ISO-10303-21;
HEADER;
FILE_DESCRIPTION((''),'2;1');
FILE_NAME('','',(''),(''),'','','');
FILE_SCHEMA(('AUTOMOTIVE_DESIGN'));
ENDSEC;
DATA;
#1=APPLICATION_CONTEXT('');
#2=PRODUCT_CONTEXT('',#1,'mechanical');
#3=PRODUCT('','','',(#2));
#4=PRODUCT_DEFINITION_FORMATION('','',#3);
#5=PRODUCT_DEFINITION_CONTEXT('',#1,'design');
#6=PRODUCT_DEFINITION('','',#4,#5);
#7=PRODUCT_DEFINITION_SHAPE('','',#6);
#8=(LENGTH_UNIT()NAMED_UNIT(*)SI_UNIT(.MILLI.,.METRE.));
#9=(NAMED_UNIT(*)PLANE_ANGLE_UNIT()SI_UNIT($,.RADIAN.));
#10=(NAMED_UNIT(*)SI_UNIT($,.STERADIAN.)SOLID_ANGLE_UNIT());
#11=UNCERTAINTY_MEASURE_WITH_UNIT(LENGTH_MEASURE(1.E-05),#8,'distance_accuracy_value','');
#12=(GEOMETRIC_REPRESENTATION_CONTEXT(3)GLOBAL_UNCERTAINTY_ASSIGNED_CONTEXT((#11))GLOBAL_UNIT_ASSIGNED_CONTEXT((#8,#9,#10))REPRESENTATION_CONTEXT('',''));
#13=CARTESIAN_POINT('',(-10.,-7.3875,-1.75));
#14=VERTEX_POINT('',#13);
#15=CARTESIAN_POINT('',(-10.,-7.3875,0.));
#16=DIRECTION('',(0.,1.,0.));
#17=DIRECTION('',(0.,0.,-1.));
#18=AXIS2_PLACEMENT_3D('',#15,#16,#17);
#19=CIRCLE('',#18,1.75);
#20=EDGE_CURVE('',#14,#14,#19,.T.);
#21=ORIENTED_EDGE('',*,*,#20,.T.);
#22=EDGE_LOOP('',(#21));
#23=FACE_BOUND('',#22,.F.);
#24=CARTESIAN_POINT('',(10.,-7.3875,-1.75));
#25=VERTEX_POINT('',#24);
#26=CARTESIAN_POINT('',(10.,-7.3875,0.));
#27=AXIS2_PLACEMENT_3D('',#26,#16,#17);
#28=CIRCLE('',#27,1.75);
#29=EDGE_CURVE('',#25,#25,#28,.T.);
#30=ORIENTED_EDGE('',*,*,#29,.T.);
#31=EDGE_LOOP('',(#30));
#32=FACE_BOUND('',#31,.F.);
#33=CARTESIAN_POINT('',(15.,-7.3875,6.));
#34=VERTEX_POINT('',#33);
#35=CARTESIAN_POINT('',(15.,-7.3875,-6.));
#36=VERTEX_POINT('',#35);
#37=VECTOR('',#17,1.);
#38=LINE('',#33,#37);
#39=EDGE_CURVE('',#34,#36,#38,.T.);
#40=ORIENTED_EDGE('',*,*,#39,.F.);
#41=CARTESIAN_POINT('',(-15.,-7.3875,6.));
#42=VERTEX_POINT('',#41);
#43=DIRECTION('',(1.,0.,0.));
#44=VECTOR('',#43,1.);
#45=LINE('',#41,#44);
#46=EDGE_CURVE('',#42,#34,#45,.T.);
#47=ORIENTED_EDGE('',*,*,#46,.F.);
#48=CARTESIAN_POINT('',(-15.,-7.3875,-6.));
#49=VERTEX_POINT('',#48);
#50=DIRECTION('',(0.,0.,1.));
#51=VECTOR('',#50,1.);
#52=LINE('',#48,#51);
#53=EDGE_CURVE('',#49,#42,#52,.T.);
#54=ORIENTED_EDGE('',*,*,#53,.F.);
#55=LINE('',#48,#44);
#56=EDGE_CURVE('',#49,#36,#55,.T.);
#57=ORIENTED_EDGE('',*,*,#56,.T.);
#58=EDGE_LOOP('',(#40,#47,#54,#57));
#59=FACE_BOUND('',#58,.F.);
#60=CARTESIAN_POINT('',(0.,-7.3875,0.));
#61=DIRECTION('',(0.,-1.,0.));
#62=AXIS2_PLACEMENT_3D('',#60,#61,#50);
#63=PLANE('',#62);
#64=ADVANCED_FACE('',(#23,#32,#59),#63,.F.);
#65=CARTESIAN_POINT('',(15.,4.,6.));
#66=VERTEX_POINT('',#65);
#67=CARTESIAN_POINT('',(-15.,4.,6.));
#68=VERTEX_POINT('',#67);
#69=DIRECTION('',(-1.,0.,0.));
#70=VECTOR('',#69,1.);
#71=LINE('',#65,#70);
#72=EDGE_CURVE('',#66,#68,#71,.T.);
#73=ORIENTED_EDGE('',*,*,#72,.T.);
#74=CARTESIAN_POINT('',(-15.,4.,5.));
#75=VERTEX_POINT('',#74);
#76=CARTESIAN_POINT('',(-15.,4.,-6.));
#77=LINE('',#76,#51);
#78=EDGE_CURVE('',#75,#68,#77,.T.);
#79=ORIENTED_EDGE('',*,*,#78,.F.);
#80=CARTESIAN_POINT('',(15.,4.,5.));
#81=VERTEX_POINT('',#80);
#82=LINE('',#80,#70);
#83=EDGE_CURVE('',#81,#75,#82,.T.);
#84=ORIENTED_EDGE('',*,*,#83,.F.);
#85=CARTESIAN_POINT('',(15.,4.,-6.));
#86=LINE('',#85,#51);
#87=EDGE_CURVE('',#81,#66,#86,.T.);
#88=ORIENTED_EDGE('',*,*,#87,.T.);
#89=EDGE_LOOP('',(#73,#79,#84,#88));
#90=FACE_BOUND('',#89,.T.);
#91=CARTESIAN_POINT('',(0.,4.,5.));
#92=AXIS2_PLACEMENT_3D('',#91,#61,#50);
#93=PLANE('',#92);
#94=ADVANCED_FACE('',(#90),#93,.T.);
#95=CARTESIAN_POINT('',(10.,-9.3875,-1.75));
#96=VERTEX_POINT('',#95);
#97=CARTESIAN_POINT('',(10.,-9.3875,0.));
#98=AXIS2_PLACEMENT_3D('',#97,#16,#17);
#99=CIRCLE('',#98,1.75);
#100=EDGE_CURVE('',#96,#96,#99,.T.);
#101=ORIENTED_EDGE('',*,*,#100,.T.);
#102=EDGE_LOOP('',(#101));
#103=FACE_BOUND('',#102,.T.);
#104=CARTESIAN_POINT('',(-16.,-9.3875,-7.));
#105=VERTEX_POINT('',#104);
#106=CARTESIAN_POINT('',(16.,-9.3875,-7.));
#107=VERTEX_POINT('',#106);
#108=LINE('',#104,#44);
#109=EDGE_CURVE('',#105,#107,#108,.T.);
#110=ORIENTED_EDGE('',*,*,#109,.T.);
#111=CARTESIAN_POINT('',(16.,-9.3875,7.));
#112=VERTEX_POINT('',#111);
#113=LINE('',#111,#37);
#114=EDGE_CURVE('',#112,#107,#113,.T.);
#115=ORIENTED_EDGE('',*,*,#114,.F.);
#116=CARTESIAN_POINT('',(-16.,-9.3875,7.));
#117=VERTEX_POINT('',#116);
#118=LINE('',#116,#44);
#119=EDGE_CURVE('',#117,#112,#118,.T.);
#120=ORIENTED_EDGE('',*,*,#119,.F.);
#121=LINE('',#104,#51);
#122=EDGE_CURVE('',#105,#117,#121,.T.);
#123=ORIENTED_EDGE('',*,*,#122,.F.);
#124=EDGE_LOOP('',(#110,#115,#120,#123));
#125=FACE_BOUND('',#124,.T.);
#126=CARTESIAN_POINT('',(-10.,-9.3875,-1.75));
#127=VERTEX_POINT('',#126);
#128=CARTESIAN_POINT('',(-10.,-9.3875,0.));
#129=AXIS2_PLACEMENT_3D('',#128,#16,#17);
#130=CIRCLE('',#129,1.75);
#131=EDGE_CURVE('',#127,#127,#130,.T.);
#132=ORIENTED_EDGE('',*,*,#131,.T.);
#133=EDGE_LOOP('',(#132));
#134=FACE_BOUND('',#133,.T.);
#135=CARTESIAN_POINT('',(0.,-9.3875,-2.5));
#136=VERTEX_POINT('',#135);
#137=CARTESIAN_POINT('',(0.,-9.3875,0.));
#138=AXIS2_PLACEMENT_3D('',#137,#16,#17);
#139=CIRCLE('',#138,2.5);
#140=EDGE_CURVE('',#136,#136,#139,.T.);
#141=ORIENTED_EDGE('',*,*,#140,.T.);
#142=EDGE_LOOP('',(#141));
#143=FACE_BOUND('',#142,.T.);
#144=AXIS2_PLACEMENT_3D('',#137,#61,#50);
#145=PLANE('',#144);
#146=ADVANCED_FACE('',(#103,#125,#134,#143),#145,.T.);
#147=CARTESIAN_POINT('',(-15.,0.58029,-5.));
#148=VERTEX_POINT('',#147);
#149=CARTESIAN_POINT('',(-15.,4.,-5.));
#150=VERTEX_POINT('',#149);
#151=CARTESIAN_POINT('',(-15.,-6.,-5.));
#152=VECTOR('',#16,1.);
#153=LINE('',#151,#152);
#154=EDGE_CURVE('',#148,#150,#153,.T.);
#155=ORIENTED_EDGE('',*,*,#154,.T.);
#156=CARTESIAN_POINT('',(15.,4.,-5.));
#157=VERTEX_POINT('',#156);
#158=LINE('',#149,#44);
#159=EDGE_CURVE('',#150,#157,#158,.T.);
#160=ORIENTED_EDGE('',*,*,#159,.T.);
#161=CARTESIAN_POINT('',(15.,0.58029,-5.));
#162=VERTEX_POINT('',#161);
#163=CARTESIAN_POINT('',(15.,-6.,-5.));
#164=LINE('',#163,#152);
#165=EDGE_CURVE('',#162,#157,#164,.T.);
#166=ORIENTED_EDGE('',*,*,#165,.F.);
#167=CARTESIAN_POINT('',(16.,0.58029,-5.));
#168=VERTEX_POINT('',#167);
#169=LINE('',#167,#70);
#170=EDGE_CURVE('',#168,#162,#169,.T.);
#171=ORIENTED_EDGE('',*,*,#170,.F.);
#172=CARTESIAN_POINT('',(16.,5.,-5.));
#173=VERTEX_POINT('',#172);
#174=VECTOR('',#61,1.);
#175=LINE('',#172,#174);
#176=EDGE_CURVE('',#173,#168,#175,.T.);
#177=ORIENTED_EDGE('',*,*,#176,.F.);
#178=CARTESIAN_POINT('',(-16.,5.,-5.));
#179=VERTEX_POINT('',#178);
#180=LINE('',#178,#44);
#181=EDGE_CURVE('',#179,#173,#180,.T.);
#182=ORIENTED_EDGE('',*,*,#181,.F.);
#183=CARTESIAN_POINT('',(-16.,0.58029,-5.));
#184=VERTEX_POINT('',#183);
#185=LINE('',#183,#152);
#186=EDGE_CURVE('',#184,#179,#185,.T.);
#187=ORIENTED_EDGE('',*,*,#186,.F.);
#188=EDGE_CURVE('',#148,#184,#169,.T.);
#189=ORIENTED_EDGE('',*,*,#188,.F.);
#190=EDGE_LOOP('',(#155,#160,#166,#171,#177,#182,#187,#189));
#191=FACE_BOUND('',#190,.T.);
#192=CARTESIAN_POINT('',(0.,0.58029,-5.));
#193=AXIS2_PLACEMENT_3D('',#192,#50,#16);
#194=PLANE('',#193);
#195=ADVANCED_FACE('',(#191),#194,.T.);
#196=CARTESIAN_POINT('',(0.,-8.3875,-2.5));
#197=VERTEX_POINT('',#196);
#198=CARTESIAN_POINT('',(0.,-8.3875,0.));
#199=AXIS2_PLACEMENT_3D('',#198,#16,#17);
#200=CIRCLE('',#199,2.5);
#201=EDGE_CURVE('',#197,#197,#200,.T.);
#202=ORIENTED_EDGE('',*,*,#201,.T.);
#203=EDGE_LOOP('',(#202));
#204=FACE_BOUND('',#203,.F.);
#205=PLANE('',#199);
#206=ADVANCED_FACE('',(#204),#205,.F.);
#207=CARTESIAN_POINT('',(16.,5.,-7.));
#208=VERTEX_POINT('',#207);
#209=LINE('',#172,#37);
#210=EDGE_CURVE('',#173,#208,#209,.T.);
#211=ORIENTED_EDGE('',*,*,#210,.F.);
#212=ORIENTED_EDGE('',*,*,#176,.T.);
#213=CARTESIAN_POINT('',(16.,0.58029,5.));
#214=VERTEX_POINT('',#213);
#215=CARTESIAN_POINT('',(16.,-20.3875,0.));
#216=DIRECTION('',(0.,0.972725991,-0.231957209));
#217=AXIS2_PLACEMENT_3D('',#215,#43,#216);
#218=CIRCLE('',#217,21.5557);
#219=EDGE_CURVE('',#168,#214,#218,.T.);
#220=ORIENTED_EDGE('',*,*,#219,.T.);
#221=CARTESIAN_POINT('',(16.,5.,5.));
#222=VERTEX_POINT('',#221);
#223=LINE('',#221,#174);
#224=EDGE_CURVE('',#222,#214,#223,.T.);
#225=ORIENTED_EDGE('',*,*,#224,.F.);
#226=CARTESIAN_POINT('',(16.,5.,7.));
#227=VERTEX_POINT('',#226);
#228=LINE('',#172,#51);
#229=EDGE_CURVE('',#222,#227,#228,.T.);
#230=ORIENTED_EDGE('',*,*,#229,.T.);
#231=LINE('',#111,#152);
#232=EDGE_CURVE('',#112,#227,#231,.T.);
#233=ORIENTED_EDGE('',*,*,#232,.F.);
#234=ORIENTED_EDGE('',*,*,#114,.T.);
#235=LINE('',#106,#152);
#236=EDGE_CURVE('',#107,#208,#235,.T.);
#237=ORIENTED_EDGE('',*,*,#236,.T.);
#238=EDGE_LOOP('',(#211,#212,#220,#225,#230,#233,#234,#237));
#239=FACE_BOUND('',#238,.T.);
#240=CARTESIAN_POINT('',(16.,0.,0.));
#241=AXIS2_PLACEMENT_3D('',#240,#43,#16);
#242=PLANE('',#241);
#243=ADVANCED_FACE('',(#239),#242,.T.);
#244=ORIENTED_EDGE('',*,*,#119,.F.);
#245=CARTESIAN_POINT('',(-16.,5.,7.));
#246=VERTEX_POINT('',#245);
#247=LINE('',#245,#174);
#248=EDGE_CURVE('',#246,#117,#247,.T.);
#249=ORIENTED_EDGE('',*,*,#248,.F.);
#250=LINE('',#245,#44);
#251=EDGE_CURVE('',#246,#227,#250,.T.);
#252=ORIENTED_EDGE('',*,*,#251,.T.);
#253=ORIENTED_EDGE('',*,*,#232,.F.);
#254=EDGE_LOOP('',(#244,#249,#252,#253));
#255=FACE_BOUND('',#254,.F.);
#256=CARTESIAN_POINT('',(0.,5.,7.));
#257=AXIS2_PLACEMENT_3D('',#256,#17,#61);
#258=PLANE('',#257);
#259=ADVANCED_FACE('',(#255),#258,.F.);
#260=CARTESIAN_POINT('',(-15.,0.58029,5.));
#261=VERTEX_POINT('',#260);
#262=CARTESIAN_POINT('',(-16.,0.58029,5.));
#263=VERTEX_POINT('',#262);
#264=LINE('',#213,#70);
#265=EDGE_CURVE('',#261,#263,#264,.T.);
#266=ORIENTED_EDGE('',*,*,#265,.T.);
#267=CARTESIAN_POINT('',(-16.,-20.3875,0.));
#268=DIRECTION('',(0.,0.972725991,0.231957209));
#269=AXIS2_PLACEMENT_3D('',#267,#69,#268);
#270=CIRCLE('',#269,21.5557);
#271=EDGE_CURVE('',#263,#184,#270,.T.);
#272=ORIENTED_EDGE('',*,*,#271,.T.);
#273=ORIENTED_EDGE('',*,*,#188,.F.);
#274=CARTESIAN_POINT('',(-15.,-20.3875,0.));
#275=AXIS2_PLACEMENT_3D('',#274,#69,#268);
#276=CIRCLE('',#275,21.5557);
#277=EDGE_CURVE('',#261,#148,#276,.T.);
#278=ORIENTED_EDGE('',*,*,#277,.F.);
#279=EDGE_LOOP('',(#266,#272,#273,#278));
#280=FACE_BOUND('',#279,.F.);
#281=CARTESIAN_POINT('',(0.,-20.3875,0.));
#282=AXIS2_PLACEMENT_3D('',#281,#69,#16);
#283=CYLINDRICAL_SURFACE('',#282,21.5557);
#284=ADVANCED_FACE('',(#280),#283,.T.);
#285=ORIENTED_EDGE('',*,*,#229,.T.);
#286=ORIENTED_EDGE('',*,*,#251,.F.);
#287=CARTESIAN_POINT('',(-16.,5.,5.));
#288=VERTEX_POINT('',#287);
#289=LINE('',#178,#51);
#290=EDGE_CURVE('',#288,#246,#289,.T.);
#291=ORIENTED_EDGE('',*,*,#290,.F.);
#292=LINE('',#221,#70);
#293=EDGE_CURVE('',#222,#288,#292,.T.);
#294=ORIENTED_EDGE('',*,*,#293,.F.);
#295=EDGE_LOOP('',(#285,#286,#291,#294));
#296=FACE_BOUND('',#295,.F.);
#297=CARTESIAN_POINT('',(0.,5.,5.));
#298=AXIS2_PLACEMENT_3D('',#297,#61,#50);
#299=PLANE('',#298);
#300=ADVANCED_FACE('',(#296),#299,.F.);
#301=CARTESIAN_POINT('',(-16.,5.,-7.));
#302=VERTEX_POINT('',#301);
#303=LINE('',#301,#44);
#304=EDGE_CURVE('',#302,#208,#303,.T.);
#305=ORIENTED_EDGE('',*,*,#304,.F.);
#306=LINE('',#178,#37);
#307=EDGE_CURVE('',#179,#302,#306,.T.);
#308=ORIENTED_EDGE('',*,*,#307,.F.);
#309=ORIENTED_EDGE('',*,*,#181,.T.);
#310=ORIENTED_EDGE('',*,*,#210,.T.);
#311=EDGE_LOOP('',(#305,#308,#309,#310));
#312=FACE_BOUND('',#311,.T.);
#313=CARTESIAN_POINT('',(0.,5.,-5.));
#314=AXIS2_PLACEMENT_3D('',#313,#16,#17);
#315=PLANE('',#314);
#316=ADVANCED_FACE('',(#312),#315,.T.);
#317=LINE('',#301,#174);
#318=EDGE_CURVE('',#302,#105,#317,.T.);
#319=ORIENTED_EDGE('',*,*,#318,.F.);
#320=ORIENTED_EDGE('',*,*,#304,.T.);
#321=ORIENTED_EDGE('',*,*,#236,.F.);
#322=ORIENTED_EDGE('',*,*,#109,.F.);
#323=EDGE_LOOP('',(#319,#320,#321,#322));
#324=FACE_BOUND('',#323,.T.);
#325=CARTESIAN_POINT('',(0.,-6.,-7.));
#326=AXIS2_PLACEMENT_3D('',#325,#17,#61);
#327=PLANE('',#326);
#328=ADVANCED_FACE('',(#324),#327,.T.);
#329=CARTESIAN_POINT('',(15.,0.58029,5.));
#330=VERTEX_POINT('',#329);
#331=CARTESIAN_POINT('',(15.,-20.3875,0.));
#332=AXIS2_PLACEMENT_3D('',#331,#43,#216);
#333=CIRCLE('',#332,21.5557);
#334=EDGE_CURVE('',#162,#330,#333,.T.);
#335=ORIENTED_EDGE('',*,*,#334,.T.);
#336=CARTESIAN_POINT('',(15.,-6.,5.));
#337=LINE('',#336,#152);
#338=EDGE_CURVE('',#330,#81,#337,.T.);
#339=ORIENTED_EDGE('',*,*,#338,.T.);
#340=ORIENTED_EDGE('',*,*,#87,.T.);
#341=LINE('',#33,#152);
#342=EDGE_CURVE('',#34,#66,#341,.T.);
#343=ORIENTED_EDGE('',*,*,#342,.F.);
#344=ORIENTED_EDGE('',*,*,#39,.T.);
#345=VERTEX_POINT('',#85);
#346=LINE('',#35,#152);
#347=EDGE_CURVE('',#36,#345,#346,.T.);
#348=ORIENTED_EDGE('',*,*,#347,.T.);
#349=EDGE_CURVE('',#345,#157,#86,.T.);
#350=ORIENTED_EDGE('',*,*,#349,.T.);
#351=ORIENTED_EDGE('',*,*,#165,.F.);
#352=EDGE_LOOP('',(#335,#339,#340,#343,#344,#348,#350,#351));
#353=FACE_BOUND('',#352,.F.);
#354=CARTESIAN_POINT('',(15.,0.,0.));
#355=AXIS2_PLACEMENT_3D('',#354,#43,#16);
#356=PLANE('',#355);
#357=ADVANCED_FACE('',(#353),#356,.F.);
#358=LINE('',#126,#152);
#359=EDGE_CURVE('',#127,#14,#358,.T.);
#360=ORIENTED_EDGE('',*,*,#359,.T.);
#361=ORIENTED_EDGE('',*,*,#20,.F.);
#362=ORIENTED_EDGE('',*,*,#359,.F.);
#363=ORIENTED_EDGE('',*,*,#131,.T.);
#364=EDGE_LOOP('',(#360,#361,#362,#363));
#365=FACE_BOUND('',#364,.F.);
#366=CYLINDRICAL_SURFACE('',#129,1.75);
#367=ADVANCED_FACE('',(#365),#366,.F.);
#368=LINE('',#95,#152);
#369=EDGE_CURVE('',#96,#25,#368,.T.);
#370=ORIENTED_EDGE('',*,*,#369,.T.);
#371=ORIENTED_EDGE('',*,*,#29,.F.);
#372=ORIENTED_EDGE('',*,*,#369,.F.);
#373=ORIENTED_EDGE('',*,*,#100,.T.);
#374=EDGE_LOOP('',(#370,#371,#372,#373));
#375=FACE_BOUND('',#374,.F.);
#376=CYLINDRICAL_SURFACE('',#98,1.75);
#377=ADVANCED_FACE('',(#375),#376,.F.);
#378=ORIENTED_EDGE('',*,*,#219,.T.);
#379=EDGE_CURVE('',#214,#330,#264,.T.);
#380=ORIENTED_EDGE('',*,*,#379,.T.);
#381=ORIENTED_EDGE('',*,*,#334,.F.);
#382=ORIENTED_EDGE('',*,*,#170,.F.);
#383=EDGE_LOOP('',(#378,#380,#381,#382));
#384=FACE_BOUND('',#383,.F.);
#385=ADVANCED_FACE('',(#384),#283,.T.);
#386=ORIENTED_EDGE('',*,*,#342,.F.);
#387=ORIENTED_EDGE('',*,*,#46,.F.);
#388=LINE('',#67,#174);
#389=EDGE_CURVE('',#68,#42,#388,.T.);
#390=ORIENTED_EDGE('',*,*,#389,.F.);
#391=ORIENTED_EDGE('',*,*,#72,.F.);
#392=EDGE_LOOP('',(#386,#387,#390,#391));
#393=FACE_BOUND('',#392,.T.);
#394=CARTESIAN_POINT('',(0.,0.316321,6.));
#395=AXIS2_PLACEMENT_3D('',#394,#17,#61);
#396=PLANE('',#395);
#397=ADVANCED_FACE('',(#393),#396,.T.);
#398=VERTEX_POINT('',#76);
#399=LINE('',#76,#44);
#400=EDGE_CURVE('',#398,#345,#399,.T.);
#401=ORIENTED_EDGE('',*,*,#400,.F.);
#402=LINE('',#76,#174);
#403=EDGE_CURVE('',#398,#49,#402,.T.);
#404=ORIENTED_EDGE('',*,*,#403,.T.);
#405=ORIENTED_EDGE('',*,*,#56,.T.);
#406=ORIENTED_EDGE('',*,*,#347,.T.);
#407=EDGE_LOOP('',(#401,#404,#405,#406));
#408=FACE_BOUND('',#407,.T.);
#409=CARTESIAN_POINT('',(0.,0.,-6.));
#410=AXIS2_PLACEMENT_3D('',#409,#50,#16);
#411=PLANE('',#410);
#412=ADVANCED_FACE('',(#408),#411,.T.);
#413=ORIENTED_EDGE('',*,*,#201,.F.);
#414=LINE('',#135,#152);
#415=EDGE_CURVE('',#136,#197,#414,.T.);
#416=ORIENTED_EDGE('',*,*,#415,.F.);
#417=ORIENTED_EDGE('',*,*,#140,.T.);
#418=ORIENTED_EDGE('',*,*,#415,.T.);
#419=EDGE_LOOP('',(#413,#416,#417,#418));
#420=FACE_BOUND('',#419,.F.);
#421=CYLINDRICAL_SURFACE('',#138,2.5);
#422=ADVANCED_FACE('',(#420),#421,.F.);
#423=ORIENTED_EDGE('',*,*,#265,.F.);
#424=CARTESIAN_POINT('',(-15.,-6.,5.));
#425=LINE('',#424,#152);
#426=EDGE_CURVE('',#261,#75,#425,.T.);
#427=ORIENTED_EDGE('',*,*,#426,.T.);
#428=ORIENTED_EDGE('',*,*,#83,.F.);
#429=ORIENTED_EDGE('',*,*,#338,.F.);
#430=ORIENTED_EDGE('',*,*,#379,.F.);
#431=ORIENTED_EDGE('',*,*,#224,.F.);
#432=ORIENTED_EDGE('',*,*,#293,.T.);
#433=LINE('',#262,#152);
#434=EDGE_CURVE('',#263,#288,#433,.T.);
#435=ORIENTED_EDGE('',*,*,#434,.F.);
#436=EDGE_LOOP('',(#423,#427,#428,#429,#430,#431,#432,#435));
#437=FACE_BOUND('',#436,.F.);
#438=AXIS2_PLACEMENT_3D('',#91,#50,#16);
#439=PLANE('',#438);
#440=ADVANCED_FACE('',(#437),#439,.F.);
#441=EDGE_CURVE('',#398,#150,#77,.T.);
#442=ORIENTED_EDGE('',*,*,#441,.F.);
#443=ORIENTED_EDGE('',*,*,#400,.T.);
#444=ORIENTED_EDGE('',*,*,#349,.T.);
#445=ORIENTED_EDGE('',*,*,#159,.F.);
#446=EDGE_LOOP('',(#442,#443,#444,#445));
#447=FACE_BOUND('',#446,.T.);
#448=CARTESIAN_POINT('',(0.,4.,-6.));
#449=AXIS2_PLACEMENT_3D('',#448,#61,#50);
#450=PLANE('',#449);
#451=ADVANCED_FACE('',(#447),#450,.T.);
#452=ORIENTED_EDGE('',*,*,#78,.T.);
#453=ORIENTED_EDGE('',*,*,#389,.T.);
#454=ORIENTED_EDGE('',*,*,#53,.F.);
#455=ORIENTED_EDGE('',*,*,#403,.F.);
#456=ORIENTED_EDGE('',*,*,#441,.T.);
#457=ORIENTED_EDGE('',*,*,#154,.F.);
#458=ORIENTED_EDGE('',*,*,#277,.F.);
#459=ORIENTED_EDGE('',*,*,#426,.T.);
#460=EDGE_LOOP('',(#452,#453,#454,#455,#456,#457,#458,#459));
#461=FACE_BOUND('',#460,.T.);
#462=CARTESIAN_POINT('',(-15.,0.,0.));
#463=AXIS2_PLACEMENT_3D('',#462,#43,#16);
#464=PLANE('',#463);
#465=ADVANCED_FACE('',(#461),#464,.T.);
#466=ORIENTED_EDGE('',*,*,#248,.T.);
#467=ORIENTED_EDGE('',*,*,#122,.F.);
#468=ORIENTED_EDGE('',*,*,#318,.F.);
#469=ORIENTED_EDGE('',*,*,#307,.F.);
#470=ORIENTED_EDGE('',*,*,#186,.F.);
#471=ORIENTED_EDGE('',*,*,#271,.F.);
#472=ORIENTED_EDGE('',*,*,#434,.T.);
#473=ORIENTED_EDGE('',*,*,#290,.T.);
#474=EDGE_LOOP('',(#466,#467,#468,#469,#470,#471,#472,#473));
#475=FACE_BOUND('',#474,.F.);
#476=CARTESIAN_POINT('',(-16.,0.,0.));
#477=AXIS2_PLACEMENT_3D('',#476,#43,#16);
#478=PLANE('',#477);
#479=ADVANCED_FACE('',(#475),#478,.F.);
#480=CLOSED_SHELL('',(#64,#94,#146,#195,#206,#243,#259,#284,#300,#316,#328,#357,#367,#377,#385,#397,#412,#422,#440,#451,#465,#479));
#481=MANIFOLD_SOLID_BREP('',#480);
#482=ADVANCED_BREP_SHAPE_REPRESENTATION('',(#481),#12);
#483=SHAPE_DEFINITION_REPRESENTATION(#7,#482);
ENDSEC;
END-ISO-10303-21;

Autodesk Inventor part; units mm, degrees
ref_plane "YZ Plane" through (0, 0, 0) normal (1, 0, 0) x (0, 1, 0)
ref_plane "XY Plane" through (0, 0, 0) normal (0, 0, 1) x (1, 0, 0)
sketch "Sketch5" plane through (0, 0, 0) normal (1, 0, 0) x (0, 1, 0)
  line L0 (5, 7) -> (-6, 7)
  line L1 (-6, 7) -> (-6, -5)
  line L2 (-6, -5) -> (5, -5)
  line L3 (5, -5) -> (5, 7)
  line L4 (-6, -5) -> (5, -5)
  line L5 (5, -5) -> (5, -7)
  line L6 (5, -7) -> (-6, -7)
  line L7 (-6, -7) -> (-6, -5)
  line L8 (5, 7) -> (-6, 7)
  line L9 (-6, 7) -> (-6, 5)
  line L10 (-6, 5) -> (5, 5)
  line L11 (5, 5) -> (5, 7)
  line L12 (-51.3319, 0) -> (14.3886, 0) projected
  line L13 (0, -30.178) -> (0, 30.178) projected
  circle A0 centre (-20.3875, 0) radius 16
  circle A1 centre (-20.3875, 0) radius 21.5557
  line L14 (4, 6) -> (-4.4815, 6)
  line L15 (-4.4815, 6) -> (-4.4815, -6)
  line L16 (-4.4815, -6) -> (4, -6)
  line L17 (4, -6) -> (4, 6)
  circle A2 centre (-20.3875, 0) radius 17
  line L18 (-4.4815, -6) -> (-7.3875, -6)
  line L19 (-7.3875, -6) -> (-7.3875, 6)
  line L20 (-7.3875, 6) -> (-4.4815, 6)
  line L21 (-4.4815, 6) -> (-4.4815, -6)
  line L22 (-6, -7) -> (-9.3875, -7)
  line L23 (-9.3875, -7) -> (-9.3875, 7)
  line L24 (-9.3875, 7) -> (-6, 7)
  line L25 (-6, 7) -> (-6, -7)
  point P0 (0, 0)
  point P1 (0, 7)
  point P2 (-6, 7)
  point P3 (-6, -7)
  point P4 (5, -5)
  point P5 (0.5803, -5)
  point P6 (0.5803, 5)
  point P7 (4, -5)
  point P8 (4, 5)
  point P9 (-4.4815, -6)
  point P10 (-6, 7)
  point P11 (-6, -7)
  point P12 (-4.4815, -6)
  point P13 (-4.4815, 6)
  dimension "d14" = 32
  dimension "d25" = 1
  dimension "d15" = 12
  dimension "d16" = 2
  dimension "d17" = 2
  dimension "d18" = 6
  dimension "d19" = 5
  dimension "d20" = 1
  dimension "d22" = 1
  dimension "d23" = 1
  dimension "d31" = 2
  dimension "d32" = 5
extrude "Extrusion4" add sketch "Sketch5" along normal mid plane 32 contours L3 L10 L17 L14 A1 L0 | L13 L14 A2 L0 | A1 L14 L13 | A2 L20 A0 L0 | L14 A1 L10 L13 | L13 L10 A2 L14 | L14 L17 L10 A1 | A0 L20 L1 | L1 L20 L19 L12 L23 L24 | A2 L10 L15 | L15 L10 A0 L20 | L13 L12 A2 L10 | L10 A1 L12 L13 | A1 L16 L17 L2 L5 L6 | L6 A2 L16 L13 | L13 L16 A1 | L20 A0 L10 L1 | L1 L12 L19 L20 | L15 A0 L10 | L10 A2 L12 A0 L15 | L6 A0 L18 A2 | L13 L2 A2 L12 | L12 A1 L2 L13 | L16 A2 L2 L13 | L13 L2 A1 L16 | A1 L2 L17 L16 | L10 A0 L15 L12 L1 | L12 L19 L18 L7 L22 L23 | L7 L18 A0 | A0 L12 L15 | A2 L2 L15 A0 L12 | L18 A0 L2 L15 | L15 L2 A2 | L12 L15 A0 L2 L1 | L1 L7 L18 L19 L12 | L7 L2 A0 L18 | A0 L15 L12 | L2 A0 L15
extrude "Extrusion5" cut sketch "Sketch5" along normal mid plane 30 contours L14 A1 L10 L13 | L13 L10 A2 L14 | L14 L17 L10 A1 | A2 L10 L15 | L15 L10 A0 L20 | L13 L12 A2 L10 | L10 A1 L12 L13 | L20 A0 L10 L1 | L1 L12 L19 L20 | L15 A0 L10 | L10 A2 L12 A0 L15 | L13 L2 A2 L12 | L12 A1 L2 L13 | L16 A2 L2 L13 | L13 L2 A1 L16 | A1 L2 L17 L16 | L10 A0 L15 L12 L1 | A0 L12 L15 | A2 L2 L15 A0 L12 | L18 A0 L2 L15 | L15 L2 A2 | L12 L15 A0 L2 L1 | L1 L7 L18 L19 L12 | L7 L2 A0 L18 | A0 L15 L12 | L2 A0 L15
ref_plane "Work Plane2" through (16, -9.3875, 7) normal (0, 1, 0) x (-1, 0, 0)
sketch "Sketch9" plane through (16, -9.3875, 7) normal (0, 1, 0) x (-1, 0, 0)
  line L0 (38.4, -7) -> (-6.4, -7) projected
  line L1 (16, -16.8) -> (16, 2.8) projected
  point P0 (16, -7)
  point P1 (6, -7)
  point P2 (16, -7)
  point P3 (26, -7)
  dimension "d33" = 20
hole "Hole1" at (10, -9.3875, 0) at (-10, -9.3875, 0) direction (0, 1, 0) diameter 3.5 depth 5
hole "Hole2" at (0, -9.3875, 0) direction (0, 1, 0) diameter 5 depth 1
equation "\"d25\" = d20"
equation "\"d17\" = d16"
equation "\"d22\" = d20"
equation "\"d23\" = d22"
properties part number "Test_Switch_Housing"
